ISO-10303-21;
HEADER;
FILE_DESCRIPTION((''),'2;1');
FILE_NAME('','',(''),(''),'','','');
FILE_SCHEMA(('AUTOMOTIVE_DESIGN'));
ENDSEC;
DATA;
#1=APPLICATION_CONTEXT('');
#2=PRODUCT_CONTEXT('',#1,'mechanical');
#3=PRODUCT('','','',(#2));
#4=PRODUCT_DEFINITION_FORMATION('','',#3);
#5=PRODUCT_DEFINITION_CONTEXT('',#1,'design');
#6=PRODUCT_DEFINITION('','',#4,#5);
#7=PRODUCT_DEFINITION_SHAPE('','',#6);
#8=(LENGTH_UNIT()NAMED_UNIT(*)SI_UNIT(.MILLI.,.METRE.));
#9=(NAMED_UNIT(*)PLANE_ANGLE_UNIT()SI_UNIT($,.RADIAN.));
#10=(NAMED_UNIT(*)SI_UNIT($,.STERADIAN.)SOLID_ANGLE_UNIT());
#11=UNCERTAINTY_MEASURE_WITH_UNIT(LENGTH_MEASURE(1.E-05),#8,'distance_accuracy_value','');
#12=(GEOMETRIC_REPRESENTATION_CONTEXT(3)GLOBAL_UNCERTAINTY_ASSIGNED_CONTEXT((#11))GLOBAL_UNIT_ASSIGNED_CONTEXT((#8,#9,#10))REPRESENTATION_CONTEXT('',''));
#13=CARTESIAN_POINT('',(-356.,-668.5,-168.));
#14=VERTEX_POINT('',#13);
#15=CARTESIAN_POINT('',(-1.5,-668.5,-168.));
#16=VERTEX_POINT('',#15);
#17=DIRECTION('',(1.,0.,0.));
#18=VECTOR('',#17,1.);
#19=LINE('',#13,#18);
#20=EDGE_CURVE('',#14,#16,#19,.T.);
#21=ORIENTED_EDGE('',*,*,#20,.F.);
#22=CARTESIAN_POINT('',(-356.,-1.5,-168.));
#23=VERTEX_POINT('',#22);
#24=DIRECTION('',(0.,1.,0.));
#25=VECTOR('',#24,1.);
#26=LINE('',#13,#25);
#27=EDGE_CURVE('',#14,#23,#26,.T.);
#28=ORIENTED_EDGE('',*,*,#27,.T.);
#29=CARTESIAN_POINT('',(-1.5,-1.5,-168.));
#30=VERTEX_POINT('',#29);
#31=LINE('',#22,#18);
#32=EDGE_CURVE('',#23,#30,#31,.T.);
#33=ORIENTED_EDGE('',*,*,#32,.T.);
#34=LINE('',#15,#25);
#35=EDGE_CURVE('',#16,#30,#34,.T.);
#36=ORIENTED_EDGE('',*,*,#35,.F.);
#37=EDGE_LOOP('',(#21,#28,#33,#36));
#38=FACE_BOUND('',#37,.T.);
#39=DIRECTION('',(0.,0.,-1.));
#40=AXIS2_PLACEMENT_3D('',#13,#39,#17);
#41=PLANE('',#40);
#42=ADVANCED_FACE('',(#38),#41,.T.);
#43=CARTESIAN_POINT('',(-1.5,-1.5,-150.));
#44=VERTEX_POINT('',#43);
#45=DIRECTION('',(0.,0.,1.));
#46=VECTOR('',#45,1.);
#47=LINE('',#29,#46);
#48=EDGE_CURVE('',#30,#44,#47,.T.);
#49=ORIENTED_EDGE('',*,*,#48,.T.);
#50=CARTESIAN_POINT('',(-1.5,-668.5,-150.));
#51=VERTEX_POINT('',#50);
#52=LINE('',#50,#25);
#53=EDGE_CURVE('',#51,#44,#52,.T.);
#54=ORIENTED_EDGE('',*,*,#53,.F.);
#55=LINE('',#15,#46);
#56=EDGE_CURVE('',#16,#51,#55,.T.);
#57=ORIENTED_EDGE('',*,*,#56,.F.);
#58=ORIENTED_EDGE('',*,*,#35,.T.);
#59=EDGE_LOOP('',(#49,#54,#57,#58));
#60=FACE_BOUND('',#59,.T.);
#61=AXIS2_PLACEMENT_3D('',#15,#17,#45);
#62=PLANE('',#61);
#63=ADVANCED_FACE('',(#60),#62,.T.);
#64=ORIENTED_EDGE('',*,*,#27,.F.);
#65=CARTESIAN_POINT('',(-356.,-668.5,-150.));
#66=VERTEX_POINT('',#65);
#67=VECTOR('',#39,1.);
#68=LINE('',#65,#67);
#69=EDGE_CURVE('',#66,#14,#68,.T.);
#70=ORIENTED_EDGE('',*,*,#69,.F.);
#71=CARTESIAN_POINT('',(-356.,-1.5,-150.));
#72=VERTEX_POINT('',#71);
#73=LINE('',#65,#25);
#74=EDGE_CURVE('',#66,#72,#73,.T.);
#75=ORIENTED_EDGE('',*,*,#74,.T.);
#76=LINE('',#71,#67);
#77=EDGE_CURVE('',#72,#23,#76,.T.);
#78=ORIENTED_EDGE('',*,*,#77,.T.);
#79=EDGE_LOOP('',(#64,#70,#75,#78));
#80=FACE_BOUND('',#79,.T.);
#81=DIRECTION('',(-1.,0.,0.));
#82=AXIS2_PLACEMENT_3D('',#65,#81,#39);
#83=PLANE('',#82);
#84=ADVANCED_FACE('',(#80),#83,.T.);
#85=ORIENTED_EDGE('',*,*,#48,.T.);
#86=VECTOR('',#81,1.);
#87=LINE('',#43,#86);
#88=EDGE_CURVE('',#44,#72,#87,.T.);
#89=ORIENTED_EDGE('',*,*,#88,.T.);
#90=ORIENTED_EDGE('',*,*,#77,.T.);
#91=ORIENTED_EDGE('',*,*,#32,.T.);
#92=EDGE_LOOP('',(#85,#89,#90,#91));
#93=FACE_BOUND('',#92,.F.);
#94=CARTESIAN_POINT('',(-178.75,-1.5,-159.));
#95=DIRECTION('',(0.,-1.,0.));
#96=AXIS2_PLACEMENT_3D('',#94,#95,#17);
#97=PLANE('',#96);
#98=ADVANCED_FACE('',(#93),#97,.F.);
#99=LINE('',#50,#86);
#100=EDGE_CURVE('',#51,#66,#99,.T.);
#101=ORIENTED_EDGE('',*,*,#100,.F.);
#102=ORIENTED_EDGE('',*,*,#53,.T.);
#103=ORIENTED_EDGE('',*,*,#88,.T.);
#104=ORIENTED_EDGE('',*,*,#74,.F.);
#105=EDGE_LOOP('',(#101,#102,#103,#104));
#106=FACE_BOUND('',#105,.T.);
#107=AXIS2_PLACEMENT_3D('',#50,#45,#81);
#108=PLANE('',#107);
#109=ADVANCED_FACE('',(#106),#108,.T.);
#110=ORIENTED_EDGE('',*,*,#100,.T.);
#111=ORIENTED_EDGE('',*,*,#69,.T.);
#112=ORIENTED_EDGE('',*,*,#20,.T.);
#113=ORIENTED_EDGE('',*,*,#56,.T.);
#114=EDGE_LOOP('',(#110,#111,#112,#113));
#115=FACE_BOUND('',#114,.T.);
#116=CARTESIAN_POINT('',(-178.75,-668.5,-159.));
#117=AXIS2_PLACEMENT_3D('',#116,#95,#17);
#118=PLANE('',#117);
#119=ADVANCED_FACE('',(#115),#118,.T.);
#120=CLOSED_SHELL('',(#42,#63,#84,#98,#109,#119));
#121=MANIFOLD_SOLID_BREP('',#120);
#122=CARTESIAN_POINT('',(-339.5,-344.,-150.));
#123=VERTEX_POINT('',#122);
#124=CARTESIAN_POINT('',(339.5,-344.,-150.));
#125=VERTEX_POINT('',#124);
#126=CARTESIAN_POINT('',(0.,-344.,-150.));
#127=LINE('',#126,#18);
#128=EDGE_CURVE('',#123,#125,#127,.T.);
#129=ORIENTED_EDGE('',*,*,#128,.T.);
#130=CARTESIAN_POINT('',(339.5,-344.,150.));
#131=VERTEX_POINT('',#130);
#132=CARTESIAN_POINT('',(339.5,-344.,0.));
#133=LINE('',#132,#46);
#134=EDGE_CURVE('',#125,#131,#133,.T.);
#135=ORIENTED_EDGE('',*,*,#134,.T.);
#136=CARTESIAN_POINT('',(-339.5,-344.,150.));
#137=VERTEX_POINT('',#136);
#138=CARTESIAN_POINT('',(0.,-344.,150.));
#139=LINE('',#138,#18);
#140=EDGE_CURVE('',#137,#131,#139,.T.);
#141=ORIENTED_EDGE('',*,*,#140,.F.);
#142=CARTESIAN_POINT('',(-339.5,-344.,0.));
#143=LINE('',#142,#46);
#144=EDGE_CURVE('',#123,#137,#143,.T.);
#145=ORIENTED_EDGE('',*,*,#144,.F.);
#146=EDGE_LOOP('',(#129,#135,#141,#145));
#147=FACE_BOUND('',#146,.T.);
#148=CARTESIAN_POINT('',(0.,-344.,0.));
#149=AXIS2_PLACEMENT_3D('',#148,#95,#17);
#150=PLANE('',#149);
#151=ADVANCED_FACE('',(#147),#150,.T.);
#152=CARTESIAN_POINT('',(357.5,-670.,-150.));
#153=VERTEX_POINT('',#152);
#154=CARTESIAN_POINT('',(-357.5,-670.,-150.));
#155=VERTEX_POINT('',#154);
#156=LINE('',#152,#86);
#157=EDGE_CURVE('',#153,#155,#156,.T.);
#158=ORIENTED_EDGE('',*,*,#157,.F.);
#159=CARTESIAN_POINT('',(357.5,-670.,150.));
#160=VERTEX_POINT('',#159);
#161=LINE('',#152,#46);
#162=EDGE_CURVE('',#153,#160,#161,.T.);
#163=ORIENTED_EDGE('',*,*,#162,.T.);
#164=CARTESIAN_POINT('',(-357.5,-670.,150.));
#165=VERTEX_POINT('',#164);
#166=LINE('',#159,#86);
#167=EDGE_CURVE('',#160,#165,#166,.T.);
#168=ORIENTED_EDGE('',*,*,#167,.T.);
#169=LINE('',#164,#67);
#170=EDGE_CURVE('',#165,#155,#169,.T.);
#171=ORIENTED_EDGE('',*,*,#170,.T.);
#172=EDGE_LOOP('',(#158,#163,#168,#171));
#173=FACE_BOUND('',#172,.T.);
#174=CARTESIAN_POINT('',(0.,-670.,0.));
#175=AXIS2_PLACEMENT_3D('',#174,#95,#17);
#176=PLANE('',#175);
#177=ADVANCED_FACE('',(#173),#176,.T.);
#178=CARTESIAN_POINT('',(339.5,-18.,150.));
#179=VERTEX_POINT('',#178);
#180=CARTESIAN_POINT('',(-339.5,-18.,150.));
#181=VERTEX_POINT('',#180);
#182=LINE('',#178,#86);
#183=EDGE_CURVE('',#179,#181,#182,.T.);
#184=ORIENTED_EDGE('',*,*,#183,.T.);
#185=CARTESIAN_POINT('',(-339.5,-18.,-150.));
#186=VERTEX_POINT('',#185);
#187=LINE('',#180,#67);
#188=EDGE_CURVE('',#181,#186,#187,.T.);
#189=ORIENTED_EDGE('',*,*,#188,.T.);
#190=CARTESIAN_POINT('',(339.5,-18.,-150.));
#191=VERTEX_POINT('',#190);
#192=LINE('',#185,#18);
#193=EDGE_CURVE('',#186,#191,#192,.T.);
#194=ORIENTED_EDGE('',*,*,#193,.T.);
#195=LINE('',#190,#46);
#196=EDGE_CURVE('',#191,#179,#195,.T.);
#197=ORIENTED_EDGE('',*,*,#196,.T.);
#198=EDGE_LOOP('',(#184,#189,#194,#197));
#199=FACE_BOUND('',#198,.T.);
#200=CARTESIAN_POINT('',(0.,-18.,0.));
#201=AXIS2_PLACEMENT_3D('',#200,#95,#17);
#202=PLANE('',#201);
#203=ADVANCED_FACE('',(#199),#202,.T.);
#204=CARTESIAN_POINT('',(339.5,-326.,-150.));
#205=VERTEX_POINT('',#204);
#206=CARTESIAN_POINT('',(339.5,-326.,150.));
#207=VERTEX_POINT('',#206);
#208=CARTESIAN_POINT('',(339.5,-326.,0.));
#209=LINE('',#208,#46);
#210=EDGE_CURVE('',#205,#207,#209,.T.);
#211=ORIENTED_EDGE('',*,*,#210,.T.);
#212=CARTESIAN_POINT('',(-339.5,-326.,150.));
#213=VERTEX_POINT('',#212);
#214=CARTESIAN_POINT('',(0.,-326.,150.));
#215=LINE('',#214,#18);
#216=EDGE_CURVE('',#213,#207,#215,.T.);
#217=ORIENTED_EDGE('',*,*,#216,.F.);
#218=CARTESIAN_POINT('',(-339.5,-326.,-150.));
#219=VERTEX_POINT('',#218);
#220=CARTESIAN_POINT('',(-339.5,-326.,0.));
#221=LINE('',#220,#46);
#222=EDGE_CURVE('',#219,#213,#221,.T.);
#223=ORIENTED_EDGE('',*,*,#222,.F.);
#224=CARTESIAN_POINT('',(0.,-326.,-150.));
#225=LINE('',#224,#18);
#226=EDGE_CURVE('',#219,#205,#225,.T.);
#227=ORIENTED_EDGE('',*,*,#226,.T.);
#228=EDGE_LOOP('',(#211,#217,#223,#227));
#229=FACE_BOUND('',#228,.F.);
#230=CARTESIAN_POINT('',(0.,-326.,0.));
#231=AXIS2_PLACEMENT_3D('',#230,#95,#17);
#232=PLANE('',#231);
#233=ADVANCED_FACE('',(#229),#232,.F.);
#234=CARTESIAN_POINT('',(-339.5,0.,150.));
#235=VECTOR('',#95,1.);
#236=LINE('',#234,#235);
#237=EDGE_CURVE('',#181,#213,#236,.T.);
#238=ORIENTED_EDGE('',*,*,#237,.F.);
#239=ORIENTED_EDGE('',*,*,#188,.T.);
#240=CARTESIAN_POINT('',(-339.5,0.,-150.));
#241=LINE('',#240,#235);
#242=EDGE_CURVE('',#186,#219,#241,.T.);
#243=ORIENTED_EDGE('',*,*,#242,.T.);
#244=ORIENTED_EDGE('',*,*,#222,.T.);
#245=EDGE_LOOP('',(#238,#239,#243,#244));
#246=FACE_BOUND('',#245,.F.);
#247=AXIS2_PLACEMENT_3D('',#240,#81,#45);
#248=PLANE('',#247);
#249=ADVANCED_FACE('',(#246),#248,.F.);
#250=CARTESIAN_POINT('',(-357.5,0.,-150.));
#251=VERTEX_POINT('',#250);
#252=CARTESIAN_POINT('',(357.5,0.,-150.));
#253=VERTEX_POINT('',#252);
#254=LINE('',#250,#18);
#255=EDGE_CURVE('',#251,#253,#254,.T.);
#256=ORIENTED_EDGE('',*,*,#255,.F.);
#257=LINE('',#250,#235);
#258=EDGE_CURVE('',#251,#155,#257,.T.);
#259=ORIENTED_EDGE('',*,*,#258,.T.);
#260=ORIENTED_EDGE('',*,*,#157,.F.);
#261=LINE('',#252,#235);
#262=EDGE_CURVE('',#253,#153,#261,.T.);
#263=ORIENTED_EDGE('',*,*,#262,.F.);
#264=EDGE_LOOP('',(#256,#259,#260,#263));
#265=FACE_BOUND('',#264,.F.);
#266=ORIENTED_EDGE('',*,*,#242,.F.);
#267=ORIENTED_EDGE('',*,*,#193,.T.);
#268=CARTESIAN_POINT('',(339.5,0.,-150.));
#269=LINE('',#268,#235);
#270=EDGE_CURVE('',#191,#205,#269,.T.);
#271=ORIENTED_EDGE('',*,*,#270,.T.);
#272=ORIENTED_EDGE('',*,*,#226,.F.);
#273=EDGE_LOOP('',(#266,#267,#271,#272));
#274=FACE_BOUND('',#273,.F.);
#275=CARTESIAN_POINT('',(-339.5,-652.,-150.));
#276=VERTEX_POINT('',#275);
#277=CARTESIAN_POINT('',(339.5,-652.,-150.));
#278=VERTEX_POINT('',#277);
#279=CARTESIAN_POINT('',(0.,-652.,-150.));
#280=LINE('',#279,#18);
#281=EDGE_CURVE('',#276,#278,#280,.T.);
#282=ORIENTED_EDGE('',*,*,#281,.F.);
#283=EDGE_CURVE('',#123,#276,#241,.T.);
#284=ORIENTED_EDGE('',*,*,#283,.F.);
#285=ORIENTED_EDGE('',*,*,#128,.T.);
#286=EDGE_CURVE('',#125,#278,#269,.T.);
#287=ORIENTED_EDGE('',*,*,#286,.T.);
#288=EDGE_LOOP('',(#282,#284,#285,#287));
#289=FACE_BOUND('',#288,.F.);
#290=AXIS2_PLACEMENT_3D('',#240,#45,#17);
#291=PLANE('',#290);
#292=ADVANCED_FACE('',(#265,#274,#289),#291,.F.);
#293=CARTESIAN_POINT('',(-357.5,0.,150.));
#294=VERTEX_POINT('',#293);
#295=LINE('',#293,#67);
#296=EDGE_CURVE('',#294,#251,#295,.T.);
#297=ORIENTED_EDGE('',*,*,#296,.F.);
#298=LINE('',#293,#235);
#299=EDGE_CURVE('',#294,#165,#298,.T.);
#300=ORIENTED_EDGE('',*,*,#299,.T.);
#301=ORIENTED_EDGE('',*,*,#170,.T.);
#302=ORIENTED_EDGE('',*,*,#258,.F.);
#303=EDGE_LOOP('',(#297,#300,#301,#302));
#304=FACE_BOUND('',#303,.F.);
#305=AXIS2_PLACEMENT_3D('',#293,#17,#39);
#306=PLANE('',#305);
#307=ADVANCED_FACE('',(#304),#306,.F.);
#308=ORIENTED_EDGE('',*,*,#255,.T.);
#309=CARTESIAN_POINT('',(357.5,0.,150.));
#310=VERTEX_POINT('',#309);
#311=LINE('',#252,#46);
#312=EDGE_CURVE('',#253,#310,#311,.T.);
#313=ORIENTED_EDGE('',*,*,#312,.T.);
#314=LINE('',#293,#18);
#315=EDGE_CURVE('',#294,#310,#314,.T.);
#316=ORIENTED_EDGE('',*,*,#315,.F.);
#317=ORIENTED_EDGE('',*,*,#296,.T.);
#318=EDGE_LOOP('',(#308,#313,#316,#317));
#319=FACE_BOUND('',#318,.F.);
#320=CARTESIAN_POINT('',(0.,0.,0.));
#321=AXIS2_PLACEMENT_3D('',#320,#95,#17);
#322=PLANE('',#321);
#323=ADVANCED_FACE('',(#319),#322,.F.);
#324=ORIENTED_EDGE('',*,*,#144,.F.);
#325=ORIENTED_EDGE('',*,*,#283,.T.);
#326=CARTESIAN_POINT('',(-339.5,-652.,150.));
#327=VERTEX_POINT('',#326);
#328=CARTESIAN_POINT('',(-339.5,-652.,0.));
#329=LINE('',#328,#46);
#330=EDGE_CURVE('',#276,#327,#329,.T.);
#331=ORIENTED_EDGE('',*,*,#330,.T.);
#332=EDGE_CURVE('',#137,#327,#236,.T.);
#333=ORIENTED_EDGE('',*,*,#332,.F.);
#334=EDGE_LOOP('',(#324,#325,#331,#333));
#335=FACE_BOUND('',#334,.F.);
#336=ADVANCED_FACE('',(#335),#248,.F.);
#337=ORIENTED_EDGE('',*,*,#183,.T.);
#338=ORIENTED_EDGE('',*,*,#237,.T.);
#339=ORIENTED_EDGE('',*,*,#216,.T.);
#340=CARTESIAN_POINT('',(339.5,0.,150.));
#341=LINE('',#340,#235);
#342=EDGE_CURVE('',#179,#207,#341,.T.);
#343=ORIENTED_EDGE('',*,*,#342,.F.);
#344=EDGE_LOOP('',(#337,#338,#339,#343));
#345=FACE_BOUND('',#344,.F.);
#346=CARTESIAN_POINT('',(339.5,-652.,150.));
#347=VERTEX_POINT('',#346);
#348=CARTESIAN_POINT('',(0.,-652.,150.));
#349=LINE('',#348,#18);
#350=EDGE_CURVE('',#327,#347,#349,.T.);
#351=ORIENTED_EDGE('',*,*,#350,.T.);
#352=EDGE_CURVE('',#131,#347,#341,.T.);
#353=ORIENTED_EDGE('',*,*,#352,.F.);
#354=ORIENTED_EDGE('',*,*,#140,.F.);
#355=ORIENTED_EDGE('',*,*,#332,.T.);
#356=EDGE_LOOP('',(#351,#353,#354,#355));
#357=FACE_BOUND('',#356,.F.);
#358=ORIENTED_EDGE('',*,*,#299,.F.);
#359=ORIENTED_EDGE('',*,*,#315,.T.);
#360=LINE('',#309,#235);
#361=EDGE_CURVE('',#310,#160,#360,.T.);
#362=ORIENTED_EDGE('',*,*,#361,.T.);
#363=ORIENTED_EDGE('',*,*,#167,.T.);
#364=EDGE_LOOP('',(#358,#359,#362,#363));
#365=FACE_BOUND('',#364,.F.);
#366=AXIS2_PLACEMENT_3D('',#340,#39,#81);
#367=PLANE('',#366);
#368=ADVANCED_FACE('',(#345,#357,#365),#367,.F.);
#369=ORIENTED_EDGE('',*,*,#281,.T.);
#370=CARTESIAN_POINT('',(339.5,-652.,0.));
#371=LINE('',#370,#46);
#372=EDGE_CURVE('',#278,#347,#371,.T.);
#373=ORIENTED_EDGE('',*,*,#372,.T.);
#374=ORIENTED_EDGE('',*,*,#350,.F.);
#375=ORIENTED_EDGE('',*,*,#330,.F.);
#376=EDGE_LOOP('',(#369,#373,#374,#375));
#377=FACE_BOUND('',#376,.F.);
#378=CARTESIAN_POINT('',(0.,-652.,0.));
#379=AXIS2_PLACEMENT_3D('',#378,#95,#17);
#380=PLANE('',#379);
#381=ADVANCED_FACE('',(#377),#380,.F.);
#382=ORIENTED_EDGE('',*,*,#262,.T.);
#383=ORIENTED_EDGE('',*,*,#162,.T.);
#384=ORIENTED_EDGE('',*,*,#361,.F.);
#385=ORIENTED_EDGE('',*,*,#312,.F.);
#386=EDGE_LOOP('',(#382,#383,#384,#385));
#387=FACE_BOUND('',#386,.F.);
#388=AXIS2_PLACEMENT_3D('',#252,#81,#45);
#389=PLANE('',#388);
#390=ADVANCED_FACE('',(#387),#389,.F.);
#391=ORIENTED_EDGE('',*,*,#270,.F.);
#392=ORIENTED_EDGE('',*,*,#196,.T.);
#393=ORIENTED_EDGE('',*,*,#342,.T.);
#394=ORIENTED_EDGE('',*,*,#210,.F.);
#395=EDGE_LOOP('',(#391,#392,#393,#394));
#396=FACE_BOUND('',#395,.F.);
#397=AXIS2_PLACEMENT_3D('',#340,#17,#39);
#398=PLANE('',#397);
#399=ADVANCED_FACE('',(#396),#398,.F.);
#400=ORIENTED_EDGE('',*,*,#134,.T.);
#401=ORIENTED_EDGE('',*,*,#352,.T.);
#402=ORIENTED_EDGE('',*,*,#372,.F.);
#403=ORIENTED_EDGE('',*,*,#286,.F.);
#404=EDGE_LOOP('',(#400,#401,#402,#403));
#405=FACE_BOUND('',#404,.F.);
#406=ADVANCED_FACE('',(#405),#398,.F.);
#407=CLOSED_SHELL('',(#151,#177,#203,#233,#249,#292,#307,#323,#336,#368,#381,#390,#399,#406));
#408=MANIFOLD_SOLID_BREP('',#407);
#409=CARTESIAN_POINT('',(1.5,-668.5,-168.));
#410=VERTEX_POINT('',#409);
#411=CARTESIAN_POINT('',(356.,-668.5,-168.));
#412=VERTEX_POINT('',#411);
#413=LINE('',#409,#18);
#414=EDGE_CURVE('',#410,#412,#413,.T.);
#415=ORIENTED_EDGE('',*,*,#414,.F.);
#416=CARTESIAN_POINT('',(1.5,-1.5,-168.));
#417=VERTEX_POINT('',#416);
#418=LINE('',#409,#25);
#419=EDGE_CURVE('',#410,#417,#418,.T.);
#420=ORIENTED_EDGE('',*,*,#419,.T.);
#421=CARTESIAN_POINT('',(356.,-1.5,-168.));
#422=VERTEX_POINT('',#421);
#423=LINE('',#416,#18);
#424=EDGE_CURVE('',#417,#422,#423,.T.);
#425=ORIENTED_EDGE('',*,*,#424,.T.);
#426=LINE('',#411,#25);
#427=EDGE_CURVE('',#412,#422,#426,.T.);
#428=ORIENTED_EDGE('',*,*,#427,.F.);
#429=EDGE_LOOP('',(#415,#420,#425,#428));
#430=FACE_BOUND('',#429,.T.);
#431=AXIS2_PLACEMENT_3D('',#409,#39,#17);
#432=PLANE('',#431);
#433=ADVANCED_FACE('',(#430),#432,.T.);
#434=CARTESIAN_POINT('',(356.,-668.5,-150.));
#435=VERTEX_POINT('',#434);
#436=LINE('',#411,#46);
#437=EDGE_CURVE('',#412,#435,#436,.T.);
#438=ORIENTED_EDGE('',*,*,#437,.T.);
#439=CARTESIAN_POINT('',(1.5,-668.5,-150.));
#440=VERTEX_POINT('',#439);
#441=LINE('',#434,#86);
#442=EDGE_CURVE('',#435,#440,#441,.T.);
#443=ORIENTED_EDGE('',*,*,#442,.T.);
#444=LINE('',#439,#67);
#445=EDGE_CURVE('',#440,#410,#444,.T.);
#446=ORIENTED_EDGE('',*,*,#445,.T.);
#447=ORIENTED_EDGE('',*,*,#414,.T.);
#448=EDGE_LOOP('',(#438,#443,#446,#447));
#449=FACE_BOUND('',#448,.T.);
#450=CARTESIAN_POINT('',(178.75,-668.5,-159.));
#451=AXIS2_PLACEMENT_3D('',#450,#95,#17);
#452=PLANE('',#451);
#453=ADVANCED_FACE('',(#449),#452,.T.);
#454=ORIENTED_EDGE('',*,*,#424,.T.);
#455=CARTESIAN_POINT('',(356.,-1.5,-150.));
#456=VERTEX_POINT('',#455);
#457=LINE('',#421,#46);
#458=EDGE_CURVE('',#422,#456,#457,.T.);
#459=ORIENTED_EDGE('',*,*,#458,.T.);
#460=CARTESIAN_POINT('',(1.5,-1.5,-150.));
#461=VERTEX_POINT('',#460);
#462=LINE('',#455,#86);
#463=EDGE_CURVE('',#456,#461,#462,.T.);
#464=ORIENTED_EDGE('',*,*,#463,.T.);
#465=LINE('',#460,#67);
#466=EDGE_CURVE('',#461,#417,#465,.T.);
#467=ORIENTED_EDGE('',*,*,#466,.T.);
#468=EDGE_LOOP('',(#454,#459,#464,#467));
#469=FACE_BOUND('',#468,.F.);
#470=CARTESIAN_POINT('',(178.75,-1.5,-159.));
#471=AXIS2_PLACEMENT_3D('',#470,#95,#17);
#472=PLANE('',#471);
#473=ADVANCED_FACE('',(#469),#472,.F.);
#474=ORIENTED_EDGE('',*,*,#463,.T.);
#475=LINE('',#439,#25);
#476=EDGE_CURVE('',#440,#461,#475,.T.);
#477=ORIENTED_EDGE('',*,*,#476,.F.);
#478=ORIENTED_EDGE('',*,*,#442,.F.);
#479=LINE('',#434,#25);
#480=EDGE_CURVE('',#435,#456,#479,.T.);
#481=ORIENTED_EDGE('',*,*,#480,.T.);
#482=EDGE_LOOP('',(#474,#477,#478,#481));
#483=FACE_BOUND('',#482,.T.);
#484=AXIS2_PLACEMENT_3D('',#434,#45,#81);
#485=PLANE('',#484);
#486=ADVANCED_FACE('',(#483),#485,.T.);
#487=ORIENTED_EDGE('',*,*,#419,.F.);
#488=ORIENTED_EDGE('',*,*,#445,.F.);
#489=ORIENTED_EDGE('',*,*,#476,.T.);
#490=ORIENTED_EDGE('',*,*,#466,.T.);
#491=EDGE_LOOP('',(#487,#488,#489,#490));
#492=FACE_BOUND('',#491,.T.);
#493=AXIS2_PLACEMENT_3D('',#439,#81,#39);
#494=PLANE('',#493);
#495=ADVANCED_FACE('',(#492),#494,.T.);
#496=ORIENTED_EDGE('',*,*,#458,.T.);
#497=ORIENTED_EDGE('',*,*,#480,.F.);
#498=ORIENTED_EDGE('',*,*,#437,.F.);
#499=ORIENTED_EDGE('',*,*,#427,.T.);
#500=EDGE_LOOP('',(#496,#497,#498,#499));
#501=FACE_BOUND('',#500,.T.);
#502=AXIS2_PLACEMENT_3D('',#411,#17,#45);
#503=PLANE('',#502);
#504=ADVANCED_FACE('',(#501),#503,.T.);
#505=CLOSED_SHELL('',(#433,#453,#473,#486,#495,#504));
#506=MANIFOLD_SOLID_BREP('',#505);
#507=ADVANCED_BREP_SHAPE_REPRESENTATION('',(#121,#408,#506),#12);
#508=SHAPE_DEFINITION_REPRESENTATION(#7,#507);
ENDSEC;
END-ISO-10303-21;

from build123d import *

# Parameters (mm, degrees)
F1_DEPTH  = 670
F3_W      = 679
F3_H      = 300
F4_DEPTH  = 18
F5_DEPTH  = 18
F7_W      = 679
F7_H      = 300
F8_DEPTH  = 9
F12_DEPTH = 667


with BuildPart() as f1:
    # F0 (on Front) → F1 (new body)
    with BuildSketch(Plane.XZ):
        Polygon((-356, -150), (-339.5, -150), (-339.5, 150), (-357.5, 150), (-357.5, -150), align=None)
    extrude(amount=F1_DEPTH)


with BuildPart() as f1b:
    # F0 (on Front) → F1, piece 2 (new body)
    with BuildSketch(Plane.XZ):
        Polygon((357.5, 150), (339.5, 150), (339.5, -150), (356, -150), (357.5, -150), align=None)
    extrude(amount=F1_DEPTH)


with BuildPart() as f4:
    # F3 (on offset) → F4 (new body)
    with BuildSketch(Plane.XZ.offset(670)):
        Rectangle(F3_W, F3_H)
    extrude(amount=-F4_DEPTH)


with BuildPart() as f5:
    # F0 (on Front) → F5 (new body)
    with BuildSketch(Plane.XZ):
        Polygon((-339.5, 150), (-339.5, -150), (-1.5, -150), (1.5, -150), (339.5, -150), (339.5, 150), align=None)
    extrude(amount=F5_DEPTH)


with BuildPart() as f8:
    # F7 (on offset) → F8 (new body, symmetric)
    with BuildSketch(Plane.XZ.offset(335)):
        Rectangle(F7_W, F7_H)
    extrude(amount=F8_DEPTH, both=True)


with BuildPart() as f1_1:
    add(f1.part)

    # F9: union F1b, F4, F5, F8
    add(f1b.part)
    add(f4.part)
    add(f5.part)
    add(f8.part)


with BuildPart() as f12:
    # F11 (on offset) → F12 (new body)
    with BuildSketch(Plane.XZ.offset(668.5)):
        Polygon((-1.5, -150), (-339.5, -150), (-356, -150), (-356, -168), (-1.5, -168), align=None)
    extrude(amount=-F12_DEPTH)


with BuildPart() as f12b:
    # F11 (on offset) → F12, piece 2 (new body)
    with BuildSketch(Plane.XZ.offset(668.5)):
        Polygon((339.5, -150), (1.5, -150), (1.5, -168), (356, -168), (356, -150), align=None)
    extrude(amount=-F12_DEPTH)


solid = Compound([f1_1.part, f12.part, f12b.part])
